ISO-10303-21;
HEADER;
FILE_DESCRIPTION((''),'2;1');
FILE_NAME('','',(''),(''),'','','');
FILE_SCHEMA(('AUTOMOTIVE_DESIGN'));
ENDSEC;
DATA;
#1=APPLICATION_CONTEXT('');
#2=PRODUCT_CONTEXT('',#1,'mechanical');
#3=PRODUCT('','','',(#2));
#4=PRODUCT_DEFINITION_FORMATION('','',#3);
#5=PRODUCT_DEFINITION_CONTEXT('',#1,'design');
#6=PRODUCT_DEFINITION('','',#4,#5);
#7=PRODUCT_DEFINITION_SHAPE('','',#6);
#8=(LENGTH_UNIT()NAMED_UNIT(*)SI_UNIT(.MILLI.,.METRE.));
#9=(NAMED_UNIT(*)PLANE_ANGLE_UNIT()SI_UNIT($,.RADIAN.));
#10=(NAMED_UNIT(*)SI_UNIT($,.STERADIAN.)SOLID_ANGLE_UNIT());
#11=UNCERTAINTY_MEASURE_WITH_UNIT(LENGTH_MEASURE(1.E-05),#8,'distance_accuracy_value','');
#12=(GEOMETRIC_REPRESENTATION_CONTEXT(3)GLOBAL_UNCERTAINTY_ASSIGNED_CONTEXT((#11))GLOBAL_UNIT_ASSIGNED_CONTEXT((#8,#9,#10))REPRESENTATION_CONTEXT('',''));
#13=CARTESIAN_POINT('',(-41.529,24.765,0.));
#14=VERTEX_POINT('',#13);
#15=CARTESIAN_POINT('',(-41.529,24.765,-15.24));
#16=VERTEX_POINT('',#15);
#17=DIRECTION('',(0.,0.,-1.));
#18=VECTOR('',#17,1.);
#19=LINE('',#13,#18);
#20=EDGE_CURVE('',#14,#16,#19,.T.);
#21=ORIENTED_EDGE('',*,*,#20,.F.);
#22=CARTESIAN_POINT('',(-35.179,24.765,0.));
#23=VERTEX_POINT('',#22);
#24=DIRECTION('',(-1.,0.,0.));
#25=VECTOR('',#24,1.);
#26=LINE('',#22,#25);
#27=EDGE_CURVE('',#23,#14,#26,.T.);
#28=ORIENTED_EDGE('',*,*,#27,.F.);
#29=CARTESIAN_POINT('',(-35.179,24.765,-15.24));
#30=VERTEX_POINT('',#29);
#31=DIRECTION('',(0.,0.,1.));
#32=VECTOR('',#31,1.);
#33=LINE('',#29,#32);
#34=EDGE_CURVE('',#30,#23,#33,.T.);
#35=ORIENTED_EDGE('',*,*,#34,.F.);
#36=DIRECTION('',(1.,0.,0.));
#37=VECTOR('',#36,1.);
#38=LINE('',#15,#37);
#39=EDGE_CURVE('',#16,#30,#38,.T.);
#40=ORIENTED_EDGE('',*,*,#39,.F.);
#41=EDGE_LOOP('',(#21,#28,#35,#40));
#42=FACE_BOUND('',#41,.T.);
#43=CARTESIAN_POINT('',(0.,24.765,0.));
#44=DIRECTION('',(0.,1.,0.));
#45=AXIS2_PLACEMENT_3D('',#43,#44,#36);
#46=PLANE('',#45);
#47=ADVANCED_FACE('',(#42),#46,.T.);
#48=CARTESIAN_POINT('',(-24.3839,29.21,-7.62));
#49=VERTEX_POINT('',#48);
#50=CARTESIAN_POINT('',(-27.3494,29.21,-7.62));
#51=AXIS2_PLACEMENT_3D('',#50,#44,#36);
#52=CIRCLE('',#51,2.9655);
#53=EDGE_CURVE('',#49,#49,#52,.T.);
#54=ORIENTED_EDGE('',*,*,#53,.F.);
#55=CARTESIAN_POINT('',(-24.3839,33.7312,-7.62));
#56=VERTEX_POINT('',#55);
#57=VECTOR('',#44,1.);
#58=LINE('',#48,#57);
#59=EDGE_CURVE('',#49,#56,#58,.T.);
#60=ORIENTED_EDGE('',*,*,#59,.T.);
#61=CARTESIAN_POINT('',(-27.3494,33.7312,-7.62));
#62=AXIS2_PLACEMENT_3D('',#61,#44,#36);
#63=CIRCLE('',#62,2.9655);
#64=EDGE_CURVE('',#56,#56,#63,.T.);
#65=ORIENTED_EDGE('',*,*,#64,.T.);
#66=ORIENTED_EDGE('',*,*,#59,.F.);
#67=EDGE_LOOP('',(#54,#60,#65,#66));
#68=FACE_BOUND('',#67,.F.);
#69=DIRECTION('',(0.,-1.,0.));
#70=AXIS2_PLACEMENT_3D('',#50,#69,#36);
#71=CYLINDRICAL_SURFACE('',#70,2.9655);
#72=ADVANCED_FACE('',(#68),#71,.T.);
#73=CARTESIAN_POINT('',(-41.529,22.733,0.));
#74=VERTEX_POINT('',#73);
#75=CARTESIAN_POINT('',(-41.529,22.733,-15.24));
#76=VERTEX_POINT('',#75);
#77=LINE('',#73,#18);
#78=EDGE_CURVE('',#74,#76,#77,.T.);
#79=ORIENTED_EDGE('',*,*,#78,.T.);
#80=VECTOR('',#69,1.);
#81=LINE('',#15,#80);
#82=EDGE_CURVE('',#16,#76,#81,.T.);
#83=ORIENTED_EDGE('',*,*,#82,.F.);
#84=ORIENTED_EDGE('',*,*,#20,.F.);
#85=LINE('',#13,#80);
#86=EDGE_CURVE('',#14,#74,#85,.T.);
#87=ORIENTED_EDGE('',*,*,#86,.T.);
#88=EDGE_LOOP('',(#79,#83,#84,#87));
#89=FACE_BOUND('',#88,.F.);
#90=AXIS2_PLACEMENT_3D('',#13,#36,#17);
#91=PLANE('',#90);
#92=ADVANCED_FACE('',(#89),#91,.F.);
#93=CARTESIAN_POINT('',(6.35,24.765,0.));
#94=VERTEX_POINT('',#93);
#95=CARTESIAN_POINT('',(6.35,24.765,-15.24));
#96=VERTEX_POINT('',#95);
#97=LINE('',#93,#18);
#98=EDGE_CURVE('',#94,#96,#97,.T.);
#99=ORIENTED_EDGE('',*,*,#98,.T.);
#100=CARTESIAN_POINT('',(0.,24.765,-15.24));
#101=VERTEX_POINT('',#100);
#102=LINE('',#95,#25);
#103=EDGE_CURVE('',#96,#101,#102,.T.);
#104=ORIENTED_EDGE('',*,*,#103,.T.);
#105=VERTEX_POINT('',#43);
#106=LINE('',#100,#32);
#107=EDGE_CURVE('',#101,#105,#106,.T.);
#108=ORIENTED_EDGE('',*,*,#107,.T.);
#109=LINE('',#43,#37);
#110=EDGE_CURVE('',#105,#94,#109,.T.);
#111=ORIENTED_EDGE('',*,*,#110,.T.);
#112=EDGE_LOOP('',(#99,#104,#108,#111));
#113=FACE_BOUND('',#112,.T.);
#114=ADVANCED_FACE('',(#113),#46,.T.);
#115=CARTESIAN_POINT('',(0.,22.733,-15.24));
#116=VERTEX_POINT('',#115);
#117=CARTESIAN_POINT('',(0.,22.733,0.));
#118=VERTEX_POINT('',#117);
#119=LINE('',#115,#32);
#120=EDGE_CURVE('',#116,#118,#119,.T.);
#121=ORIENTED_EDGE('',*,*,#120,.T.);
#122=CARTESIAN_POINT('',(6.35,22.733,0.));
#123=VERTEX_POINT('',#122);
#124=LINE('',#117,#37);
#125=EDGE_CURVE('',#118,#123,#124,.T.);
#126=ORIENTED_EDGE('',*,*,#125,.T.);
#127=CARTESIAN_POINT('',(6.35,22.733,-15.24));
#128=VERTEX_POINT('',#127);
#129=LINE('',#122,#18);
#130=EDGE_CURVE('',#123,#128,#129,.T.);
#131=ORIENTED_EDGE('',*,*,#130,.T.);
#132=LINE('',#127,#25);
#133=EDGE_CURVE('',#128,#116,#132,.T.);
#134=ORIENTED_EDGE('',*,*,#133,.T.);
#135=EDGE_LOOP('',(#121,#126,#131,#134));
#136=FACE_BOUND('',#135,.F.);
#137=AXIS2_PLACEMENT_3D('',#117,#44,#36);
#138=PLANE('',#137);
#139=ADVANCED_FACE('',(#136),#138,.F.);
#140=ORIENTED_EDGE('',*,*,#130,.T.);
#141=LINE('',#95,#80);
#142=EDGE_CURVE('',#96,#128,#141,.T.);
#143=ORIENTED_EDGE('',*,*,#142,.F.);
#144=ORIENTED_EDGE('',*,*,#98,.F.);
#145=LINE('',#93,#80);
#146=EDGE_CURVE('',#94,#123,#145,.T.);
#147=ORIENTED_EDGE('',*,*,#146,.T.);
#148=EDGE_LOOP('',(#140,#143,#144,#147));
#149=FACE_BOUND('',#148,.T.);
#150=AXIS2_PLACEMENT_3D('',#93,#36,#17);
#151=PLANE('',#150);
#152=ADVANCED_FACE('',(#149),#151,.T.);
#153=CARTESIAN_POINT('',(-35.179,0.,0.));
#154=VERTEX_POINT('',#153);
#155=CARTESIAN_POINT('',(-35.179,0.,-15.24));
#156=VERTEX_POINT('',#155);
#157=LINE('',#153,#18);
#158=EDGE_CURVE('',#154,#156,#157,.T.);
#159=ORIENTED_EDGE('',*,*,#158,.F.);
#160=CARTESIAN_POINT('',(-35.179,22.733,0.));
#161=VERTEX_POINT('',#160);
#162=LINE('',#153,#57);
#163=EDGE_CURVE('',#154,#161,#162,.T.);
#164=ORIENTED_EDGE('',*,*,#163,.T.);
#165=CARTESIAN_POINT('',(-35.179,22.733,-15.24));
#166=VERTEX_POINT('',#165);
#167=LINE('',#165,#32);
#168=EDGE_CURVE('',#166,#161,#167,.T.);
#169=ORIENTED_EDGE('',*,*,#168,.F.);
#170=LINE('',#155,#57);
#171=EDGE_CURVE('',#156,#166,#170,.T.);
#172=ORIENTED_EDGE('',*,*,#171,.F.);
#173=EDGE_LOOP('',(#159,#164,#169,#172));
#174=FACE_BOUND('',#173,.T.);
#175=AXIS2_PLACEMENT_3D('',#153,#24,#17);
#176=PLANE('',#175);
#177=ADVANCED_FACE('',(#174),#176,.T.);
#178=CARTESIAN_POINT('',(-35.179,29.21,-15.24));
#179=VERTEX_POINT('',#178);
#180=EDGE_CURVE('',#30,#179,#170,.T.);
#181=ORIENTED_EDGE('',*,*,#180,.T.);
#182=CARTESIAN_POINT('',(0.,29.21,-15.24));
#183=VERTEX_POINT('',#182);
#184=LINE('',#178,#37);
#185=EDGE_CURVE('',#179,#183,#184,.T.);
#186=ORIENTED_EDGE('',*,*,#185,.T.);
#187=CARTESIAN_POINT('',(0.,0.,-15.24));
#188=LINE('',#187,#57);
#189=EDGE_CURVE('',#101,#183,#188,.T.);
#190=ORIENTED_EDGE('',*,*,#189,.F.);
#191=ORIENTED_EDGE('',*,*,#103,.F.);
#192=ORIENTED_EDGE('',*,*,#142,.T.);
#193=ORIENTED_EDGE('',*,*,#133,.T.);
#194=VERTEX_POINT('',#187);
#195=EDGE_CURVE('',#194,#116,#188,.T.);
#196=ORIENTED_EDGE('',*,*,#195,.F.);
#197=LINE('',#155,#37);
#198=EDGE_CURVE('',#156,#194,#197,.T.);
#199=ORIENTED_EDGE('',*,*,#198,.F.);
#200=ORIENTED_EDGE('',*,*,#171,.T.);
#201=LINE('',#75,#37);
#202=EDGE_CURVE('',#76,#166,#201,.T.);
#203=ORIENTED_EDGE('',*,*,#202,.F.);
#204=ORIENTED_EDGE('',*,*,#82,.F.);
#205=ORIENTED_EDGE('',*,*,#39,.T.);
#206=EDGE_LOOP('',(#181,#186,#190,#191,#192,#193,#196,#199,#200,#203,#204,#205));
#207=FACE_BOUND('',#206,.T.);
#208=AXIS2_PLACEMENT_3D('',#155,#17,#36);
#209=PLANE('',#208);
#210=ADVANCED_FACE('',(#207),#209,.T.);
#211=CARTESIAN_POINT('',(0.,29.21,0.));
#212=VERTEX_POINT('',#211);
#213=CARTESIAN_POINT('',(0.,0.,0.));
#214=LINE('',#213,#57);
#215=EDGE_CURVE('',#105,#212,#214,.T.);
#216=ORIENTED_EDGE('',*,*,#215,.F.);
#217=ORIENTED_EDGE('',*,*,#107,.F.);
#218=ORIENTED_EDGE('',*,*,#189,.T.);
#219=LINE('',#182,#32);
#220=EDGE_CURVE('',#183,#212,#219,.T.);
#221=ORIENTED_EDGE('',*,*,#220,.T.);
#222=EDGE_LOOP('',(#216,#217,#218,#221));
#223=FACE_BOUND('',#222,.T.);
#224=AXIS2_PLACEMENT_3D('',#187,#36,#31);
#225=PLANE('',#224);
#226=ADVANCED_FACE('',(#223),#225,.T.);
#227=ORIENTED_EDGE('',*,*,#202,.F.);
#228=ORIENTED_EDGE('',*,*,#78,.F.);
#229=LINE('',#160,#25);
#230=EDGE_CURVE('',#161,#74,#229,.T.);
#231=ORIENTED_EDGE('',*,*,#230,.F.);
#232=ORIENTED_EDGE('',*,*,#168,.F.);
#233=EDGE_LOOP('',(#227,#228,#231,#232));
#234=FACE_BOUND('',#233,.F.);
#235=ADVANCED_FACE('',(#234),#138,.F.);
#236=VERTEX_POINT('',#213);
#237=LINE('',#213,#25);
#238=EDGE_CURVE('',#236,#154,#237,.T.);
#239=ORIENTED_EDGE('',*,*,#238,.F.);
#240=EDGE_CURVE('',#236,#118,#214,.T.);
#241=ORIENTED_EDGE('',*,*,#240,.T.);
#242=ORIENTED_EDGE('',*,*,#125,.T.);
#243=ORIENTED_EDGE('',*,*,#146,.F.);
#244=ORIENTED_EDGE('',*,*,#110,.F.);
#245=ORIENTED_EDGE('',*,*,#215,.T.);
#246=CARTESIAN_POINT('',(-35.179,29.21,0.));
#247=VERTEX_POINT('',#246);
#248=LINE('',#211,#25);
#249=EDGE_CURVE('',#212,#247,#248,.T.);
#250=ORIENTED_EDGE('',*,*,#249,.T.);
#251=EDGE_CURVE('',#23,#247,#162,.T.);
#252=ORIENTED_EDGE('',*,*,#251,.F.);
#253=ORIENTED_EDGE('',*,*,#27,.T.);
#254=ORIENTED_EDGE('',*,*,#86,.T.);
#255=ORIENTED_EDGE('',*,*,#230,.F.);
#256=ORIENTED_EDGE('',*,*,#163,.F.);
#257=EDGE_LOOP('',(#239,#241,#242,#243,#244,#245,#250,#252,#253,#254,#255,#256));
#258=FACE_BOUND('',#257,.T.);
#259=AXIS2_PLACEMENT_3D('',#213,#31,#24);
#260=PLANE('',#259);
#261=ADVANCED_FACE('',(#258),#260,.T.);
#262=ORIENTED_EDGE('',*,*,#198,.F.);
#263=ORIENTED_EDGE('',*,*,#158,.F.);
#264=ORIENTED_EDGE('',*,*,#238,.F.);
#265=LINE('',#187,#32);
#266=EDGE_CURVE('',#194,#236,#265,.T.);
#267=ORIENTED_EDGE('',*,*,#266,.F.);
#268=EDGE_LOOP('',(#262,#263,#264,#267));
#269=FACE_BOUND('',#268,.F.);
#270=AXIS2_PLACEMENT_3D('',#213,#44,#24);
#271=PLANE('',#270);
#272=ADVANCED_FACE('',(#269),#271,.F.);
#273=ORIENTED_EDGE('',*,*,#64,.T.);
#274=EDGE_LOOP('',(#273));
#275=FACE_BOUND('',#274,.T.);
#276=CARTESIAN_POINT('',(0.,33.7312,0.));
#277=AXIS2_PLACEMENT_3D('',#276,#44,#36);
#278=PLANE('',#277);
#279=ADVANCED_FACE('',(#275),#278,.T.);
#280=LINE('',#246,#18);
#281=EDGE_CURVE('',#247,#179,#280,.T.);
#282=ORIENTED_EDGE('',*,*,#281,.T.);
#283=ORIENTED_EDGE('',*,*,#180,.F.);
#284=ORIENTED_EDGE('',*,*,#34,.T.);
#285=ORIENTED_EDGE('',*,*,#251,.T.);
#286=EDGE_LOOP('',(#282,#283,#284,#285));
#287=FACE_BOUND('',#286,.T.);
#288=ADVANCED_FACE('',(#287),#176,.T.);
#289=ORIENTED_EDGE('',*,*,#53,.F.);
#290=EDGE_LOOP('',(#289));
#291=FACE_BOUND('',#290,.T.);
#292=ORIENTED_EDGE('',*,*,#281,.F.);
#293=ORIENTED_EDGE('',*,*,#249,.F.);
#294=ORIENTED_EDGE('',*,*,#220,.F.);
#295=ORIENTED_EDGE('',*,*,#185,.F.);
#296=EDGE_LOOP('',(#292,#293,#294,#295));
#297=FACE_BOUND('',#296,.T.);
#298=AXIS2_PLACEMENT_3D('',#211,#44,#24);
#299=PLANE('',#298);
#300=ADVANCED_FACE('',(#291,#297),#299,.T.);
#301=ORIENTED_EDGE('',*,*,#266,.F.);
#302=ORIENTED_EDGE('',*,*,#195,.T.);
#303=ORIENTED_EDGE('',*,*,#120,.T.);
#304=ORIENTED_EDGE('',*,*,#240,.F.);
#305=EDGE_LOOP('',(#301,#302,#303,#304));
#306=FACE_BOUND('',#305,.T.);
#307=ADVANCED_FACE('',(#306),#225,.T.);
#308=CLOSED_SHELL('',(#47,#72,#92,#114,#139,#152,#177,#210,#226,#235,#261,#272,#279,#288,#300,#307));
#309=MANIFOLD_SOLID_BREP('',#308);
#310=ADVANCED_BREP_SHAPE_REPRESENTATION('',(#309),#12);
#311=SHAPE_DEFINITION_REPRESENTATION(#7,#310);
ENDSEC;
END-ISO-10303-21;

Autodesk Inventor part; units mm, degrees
ref_plane "YZ Plane" through (0, 0, 0) normal (1, 0, 0) x (0, 1, 0)
ref_plane "XZ Plane" through (0, 0, 0) normal (0, 1, 0) x (-1, 0, 0)
ref_plane "XY Plane" through (0, 0, 0) normal (0, 0, 1) x (1, 0, 0)
sketch "Sketch1" plane through (0, 0, 0) normal (0, 1, 0) x (-1, 0, 0)
  line L0 (0, 0) -> (35.179, 0)
  line L1 (35.179, 0) -> (35.179, -15.24)
  line L2 (35.179, -15.24) -> (0, -15.24)
  line L3 (0, -15.24) -> (0, 0)
  dimension "d0" = 35.179
  dimension "d1" = 15.24
extrude "Extrusion1" add sketch "Sketch1" along normal blind 29.21
ref_plane "Work Plane1" through (0, 24.765, 0) normal (0, 1, 0) x (1, 0, 0)
sketch "Sketch2" plane through (0, 24.765, 0) normal (0, 1, 0) x (1, 0, 0)
  line L0 (0, 0) -> (6.35, 0)
  line L1 (6.35, 0) -> (6.35, 15.24)
  line L2 (6.35, 15.24) -> (0, 15.24)
  line L3 (0, 15.24) -> (0, 0)
  line L4 (-35.179, 0) -> (0, 0) projected
  line L5 (-35.179, 0) -> (-41.529, 0)
  line L6 (-41.529, 0) -> (-41.529, 15.24)
  line L7 (-41.529, 15.24) -> (-35.179, 15.24)
  line L8 (-35.179, 15.24) -> (-35.179, 0)
  dimension "d5" = 6.35
  dimension "d6" = 6.35
extrude "Extrusion2" add sketch "Sketch2" against normal blind 2.032
sketch "Sketch3" plane through (0, 29.21, 0) normal (0, 1, 0) x (1, 0, 0)
  circle A0 centre (-27.3494, 7.62) radius 2.9655
  point P0 (0, 0)
  point P1 (-41.529, 0)
  point P2 (-41.529, 15.24)
  dimension "d10" = 5.9309
extrude "Extrusion3" add sketch "Sketch3" along normal blind 4.5212
properties part number "AssaultReaper500Servo"
